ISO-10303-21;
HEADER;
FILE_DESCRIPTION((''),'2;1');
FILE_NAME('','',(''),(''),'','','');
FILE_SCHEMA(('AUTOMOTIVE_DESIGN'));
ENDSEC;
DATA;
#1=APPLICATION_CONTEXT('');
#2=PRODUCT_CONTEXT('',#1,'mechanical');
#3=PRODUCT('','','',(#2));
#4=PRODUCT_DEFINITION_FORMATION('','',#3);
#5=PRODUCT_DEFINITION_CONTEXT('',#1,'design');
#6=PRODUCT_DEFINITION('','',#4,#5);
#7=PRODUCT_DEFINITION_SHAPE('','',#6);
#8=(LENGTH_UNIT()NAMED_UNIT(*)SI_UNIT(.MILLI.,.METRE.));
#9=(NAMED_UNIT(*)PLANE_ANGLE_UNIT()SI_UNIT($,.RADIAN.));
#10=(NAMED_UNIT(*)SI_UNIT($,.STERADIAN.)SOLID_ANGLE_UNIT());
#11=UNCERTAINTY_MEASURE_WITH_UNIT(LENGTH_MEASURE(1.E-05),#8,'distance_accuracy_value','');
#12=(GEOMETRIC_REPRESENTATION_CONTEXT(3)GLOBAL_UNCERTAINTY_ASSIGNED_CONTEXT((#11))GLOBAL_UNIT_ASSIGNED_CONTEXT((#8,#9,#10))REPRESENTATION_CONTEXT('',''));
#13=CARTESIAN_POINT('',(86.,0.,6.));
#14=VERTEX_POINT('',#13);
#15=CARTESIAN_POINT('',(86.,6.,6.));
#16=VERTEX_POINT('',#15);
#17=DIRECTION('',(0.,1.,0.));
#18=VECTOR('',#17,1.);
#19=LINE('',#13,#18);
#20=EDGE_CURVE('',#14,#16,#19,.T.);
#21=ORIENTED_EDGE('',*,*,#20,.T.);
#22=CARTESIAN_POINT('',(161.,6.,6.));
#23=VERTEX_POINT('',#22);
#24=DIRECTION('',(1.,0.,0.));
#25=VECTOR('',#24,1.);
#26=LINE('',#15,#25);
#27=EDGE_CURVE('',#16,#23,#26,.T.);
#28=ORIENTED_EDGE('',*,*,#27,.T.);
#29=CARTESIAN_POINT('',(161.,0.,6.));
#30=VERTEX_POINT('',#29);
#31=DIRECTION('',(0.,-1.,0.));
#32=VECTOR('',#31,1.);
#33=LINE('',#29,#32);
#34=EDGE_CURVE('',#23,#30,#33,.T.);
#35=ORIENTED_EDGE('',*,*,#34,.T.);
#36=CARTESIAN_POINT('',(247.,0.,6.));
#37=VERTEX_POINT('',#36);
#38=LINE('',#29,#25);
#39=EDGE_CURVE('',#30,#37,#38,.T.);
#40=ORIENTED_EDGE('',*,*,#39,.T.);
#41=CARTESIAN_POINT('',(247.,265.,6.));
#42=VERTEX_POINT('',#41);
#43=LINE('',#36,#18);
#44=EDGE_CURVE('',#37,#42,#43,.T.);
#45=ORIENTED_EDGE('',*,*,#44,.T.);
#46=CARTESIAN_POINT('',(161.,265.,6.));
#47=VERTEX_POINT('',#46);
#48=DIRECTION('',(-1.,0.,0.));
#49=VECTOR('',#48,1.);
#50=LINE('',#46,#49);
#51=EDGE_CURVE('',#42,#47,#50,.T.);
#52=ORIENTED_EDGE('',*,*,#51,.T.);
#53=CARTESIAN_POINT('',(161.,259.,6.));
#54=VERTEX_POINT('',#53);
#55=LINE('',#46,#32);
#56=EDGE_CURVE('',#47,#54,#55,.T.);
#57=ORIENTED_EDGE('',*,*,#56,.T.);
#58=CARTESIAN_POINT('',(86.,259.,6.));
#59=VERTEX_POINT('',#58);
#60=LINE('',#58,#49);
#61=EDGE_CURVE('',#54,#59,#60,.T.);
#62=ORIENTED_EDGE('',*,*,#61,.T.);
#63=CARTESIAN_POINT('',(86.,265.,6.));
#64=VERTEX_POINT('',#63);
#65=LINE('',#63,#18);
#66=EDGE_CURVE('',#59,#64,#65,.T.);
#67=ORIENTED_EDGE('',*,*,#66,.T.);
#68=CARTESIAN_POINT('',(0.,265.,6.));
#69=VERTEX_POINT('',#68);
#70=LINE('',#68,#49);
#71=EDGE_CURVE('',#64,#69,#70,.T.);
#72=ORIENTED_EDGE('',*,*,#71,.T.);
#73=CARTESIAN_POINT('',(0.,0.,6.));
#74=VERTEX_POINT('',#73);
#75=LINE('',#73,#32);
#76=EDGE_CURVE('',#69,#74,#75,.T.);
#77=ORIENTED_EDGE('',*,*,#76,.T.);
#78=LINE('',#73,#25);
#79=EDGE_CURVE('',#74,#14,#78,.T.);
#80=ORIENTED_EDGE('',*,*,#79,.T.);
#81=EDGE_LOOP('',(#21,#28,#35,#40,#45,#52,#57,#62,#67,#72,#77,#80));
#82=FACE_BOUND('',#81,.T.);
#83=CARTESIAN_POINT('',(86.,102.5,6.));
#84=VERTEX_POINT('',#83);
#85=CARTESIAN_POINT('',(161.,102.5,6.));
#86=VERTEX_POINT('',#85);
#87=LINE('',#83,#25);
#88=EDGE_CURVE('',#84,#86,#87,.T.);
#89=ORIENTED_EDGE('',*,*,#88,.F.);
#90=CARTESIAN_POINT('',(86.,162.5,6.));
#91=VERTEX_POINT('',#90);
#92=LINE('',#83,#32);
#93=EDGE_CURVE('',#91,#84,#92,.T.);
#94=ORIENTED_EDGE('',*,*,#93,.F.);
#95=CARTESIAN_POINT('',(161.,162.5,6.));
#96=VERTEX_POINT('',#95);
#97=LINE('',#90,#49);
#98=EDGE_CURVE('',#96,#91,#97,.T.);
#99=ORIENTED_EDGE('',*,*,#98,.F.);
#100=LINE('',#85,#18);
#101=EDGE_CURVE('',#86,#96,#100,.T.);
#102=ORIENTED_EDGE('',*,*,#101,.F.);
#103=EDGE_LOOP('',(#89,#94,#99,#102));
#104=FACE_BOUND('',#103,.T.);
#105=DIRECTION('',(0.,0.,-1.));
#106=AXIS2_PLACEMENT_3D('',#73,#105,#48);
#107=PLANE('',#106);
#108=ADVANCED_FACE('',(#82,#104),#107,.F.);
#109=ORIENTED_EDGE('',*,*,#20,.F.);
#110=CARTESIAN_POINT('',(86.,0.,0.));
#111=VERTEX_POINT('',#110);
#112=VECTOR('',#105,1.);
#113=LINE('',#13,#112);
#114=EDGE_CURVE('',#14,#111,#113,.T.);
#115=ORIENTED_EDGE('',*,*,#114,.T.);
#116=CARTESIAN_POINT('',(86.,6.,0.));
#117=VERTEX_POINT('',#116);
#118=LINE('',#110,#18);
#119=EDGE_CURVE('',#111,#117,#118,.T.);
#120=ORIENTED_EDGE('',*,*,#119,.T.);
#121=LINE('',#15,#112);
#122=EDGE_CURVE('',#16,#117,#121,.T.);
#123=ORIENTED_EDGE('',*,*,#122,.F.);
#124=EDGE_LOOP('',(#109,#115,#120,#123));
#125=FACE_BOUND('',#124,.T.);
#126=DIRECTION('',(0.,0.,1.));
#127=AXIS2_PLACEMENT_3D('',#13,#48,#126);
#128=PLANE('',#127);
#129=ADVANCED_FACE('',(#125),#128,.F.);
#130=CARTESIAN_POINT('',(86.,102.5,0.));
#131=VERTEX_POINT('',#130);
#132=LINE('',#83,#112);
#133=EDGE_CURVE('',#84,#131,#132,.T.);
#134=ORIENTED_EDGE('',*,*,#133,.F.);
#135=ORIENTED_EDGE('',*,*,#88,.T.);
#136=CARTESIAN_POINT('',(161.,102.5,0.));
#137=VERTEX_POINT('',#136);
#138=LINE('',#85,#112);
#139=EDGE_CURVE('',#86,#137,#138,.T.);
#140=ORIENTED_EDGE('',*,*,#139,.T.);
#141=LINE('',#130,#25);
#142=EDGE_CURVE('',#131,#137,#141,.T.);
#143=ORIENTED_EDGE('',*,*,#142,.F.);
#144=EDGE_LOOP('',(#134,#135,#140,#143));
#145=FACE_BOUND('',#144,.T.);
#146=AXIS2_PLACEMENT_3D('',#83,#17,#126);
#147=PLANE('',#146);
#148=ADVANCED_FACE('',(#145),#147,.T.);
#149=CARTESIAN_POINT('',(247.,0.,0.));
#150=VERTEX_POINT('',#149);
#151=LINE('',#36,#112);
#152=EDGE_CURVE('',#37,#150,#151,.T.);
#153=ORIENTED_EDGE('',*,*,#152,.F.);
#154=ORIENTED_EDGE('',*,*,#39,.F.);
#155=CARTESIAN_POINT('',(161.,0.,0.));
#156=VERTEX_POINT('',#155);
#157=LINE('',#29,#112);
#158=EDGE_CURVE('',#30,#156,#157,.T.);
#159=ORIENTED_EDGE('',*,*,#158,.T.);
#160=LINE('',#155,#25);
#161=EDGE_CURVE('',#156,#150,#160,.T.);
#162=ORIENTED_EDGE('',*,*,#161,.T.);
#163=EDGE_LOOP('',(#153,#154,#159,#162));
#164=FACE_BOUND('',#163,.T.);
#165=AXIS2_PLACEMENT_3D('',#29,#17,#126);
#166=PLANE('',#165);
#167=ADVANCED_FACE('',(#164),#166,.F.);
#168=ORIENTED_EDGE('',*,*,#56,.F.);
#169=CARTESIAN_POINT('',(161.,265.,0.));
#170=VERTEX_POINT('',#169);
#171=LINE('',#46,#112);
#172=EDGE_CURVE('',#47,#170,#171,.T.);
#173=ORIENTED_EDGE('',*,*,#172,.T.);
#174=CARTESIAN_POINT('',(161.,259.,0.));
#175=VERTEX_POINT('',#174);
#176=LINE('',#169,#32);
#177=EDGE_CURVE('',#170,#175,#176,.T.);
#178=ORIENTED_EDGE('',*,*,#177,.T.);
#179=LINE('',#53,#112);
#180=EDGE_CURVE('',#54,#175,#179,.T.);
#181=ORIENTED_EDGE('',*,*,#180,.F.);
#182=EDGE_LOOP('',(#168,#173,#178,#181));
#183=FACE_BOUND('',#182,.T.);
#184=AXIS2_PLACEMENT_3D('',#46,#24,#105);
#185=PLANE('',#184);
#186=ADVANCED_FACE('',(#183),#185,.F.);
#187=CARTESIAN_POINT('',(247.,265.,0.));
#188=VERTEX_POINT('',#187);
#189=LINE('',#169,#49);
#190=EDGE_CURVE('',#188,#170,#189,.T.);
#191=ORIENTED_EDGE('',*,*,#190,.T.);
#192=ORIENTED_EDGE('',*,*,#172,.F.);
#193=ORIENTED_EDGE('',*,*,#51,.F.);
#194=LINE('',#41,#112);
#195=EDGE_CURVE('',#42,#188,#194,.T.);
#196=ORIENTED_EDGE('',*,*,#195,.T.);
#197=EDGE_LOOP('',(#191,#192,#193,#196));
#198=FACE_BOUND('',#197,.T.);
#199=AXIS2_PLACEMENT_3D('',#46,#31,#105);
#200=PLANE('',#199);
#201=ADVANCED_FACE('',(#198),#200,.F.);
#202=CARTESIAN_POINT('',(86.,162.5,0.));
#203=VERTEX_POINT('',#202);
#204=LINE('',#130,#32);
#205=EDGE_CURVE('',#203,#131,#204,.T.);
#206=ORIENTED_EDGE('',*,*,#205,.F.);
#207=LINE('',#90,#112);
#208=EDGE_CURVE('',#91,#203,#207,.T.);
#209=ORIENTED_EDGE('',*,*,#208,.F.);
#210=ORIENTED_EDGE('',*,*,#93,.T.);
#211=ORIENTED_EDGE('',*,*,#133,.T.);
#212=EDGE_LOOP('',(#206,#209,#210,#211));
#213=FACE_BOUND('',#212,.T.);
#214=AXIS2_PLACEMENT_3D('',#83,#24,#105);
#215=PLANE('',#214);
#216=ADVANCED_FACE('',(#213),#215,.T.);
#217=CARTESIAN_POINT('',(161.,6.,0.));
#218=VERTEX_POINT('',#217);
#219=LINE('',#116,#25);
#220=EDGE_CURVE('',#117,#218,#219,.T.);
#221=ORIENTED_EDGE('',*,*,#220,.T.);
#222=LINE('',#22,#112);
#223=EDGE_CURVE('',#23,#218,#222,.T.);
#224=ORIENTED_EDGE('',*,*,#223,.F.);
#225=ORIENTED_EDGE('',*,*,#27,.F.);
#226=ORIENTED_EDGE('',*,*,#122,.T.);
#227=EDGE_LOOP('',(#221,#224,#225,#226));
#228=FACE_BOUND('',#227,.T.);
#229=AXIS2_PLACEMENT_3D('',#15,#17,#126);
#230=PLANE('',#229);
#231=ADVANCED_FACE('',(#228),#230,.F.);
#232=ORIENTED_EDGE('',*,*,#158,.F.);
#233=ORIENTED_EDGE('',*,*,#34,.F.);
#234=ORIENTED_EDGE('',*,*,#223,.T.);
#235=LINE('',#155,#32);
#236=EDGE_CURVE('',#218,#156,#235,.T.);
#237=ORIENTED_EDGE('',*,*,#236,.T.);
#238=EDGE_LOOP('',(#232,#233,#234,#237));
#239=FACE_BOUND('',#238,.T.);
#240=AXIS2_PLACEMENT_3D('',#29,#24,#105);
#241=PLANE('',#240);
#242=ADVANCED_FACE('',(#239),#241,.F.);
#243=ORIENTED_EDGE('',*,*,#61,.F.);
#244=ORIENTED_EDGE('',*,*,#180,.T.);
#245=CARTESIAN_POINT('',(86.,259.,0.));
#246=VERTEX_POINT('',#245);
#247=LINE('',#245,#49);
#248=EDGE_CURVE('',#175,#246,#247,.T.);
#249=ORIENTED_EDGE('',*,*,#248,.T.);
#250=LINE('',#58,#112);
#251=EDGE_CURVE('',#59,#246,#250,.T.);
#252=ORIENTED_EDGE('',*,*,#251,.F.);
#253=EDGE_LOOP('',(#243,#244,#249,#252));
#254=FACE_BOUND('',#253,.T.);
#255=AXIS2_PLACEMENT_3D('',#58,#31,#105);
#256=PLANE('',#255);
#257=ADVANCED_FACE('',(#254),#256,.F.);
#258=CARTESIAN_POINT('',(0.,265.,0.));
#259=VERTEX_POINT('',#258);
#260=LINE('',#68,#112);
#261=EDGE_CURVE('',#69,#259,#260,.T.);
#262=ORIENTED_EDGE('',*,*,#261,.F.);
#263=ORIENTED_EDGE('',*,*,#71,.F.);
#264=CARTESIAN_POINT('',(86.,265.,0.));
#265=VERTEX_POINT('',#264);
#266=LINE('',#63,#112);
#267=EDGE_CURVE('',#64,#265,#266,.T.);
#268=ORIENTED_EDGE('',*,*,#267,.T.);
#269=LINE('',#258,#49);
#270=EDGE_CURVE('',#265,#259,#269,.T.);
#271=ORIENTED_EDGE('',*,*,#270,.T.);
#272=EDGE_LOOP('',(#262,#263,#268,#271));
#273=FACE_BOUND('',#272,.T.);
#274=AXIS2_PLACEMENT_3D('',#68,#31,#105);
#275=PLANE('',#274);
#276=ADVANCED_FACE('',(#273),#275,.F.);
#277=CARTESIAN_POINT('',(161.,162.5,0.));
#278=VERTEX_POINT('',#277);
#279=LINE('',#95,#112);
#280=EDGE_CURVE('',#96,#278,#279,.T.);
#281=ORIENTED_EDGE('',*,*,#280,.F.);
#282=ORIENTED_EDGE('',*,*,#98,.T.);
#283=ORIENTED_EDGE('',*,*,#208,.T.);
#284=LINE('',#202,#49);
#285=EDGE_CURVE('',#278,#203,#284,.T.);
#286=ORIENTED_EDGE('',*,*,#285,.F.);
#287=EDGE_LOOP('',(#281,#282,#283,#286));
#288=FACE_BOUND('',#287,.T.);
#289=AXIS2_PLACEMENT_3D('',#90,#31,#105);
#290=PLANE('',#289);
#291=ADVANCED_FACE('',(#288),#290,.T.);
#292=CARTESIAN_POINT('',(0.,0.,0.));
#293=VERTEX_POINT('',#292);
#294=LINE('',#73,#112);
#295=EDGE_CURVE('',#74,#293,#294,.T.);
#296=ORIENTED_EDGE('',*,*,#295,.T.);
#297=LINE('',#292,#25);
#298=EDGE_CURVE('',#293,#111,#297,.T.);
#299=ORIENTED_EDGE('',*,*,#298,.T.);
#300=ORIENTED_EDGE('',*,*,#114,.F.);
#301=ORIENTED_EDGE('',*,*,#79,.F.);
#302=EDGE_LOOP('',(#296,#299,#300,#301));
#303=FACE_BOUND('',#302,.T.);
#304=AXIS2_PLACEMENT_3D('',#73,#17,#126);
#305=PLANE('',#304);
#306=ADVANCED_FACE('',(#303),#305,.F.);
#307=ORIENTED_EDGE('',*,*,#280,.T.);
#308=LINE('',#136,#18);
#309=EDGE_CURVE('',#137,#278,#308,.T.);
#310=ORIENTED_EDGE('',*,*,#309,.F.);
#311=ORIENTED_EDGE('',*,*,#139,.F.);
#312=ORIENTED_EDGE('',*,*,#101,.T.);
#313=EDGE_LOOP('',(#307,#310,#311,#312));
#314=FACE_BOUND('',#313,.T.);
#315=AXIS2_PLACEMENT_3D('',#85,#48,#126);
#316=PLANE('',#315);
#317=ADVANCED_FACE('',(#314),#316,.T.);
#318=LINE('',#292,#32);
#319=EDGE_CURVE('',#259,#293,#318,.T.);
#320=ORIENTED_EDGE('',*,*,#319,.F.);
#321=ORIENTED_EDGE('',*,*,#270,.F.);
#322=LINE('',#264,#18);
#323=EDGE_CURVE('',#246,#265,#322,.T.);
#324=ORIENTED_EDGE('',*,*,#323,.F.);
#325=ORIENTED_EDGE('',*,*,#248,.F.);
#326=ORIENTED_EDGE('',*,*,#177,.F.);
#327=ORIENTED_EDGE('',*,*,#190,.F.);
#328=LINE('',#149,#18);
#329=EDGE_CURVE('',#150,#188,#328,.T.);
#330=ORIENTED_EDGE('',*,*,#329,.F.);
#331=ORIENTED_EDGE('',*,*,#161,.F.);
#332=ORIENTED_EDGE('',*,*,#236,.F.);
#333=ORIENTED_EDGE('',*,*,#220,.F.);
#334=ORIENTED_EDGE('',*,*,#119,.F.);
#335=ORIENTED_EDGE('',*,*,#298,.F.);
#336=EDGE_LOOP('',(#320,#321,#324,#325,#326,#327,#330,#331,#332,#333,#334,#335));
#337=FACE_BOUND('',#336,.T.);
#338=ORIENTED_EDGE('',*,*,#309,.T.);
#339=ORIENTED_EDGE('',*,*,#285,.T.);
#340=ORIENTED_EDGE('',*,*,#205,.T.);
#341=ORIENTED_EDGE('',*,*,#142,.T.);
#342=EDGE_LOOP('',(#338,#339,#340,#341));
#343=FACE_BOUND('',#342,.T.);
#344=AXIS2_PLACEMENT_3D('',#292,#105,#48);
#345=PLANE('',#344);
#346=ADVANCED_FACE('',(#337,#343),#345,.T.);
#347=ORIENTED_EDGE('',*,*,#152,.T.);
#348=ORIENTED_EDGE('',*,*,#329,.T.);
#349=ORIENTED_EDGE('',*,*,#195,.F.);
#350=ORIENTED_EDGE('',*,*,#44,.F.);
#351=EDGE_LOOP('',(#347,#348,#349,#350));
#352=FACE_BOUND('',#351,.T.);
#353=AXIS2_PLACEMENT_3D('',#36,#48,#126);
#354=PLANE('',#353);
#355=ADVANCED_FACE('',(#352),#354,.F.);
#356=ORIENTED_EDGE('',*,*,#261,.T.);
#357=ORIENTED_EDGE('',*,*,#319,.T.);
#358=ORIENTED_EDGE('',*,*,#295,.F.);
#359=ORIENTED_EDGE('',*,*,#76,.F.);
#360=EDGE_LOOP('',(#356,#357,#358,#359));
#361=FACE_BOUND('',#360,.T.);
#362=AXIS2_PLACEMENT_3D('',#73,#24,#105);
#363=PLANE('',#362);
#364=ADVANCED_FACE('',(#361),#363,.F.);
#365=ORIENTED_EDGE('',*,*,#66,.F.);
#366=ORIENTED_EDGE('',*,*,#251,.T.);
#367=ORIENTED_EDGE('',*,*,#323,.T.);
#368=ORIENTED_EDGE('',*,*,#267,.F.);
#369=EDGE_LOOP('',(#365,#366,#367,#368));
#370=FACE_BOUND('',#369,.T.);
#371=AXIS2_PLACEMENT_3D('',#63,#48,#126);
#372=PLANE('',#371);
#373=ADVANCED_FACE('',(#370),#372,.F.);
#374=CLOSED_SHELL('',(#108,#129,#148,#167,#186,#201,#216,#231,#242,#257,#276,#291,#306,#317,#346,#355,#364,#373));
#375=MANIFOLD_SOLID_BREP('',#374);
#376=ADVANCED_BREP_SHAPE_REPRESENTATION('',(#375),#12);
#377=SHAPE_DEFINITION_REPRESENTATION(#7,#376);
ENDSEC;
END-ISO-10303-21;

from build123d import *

# Parameters (mm, degrees)
ESBO_O1_W                = 75
ESBO_O1_H                = 60
RESSALTO_EXTRUS_O1_DEPTH = 6


with BuildPart() as part:
    # Esboço1 → Ressalto-extrusão1 (new body)
    with BuildSketch(Plane.XY):
        Polygon((161, 0), (247, 0), (247, 265), (161, 265), (161, 259), (86, 259), (86, 265), (0, 265), (0, 0), (86, 0), (86, 6), (161, 6), align=None)
        with Locations((123.5, 132.5)):
            Rectangle(ESBO_O1_W, ESBO_O1_H, mode=Mode.SUBTRACT)
    extrude(amount=RESSALTO_EXTRUS_O1_DEPTH)


solid = part.part
